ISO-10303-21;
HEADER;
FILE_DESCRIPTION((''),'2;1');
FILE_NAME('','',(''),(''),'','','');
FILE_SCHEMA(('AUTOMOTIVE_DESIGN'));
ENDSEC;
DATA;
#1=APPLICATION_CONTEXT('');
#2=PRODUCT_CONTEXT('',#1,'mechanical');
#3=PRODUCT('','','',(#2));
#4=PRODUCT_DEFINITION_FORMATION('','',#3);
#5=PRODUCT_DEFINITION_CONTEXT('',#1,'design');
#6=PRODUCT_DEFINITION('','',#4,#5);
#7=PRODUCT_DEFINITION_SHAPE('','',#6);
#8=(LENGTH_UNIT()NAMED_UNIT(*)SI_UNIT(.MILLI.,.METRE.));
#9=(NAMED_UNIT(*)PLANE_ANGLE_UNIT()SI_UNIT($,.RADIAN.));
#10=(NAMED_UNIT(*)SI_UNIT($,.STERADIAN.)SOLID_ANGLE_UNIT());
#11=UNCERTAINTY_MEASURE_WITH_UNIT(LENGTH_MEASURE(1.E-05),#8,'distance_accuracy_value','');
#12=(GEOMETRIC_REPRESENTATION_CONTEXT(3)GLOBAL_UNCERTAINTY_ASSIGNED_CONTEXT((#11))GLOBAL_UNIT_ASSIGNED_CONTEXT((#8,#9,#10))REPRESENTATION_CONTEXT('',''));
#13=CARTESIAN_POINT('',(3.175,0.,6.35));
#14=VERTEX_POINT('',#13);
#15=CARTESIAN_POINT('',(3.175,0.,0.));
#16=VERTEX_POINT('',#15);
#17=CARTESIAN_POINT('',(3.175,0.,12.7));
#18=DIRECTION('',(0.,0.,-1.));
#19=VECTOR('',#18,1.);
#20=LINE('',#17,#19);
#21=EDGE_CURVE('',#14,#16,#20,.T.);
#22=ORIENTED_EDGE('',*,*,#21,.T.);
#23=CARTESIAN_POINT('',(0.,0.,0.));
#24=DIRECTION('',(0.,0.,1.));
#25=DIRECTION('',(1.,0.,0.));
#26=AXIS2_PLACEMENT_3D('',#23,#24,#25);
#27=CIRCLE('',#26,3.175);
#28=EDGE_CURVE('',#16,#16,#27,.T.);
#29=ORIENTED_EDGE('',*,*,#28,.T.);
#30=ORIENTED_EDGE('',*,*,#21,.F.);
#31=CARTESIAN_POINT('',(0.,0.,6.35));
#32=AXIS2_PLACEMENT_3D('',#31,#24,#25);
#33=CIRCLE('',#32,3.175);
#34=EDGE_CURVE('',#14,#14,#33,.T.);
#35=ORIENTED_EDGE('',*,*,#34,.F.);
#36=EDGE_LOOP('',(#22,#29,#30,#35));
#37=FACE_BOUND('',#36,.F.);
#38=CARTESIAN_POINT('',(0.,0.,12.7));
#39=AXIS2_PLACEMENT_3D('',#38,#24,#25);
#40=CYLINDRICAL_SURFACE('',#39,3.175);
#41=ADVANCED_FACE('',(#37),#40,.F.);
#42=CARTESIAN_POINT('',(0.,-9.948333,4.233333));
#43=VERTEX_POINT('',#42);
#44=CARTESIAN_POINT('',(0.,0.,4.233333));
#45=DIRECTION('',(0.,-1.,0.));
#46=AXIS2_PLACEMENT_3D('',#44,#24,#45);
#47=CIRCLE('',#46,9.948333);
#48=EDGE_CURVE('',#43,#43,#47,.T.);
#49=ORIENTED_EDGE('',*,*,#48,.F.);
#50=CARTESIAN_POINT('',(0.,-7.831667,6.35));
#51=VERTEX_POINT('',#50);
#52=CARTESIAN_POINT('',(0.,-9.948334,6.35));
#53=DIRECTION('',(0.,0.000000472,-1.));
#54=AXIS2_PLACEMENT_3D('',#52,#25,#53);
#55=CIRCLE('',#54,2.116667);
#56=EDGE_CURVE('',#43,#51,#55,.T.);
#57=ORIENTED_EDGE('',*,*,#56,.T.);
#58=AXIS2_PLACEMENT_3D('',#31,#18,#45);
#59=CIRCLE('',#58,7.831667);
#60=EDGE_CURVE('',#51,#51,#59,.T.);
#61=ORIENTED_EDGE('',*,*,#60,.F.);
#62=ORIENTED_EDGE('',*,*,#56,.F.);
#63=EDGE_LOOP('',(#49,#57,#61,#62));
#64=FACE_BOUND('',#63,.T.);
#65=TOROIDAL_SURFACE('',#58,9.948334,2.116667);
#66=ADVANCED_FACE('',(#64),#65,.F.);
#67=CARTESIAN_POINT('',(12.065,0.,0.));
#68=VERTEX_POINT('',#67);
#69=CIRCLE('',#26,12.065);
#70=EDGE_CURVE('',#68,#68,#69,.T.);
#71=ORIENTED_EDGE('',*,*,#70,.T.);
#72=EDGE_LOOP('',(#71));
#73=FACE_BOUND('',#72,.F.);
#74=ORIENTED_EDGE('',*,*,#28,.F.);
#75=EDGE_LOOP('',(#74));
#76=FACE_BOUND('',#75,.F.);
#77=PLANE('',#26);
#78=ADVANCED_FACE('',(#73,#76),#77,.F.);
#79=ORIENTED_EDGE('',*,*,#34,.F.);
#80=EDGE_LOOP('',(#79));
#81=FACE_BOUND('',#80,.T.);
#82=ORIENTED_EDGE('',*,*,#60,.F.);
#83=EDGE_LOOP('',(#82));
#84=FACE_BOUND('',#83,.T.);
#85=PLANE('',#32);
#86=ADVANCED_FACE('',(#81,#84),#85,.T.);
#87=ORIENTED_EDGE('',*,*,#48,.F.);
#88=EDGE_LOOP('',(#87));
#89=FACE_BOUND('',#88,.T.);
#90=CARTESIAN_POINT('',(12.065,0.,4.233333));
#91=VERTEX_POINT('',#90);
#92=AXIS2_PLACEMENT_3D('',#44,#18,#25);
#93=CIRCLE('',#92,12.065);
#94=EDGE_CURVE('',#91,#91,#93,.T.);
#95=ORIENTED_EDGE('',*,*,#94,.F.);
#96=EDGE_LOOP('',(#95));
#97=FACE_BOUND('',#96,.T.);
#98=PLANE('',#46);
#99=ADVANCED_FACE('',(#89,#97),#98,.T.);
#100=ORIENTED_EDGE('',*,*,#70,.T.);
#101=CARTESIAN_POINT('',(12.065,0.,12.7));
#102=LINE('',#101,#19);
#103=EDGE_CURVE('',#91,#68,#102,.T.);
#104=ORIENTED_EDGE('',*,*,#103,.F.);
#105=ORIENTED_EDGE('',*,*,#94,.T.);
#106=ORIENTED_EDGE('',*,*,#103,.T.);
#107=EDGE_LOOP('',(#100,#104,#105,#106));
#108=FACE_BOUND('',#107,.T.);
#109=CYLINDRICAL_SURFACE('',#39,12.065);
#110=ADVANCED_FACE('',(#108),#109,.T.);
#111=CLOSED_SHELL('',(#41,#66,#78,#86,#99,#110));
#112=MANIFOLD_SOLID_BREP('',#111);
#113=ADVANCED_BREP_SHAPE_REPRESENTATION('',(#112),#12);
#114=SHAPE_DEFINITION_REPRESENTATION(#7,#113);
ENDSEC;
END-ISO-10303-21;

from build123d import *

# Parameters (mm, degrees)
F0_R      = 15.875
F1_DEPTH  = 12.7
F5_R      = 3.175
F6_DEPTH  = 12.701
F7_R      = 20.024716
F7_R_2    = 12.065
F8_DEPTH  = 12.701
F10_R     = 20.449892
F10_R_2   = 1.769063
F11_DEPTH = 6.35


with BuildPart() as f1:
    # F0 (on Top) → F1 (new body)
    with BuildSketch(Plane.XY):
        Circle(F0_R)
    extrude(amount=F1_DEPTH)

    # F2 (on Right) → F4 (revolve, cut)
    with BuildSketch(Plane.YZ):
        with BuildLine():
            Line((-12.065, 8.466667), (-12.065, 4.233333))
            Line((-12.065, 4.233333), (-9.948333, 4.233333))
            ThreePointArc((-9.948333, 4.233333), (-7.831667, 6.35), (-9.948333, 8.466667))
            Line((-9.948333, 8.466667), (-12.065, 8.466667))
        make_face()
    revolve(axis=Axis((0, 0, 11.412669), (0, 0, 1)), mode=Mode.SUBTRACT)

    # F5 (on face) → F6 (cut, through all)
    with BuildSketch(Plane.XY.offset(12.7)):
        Circle(F5_R)
    extrude(amount=-F6_DEPTH, mode=Mode.SUBTRACT)

    # F7 (on face) → F8 (cut, through all)
    with BuildSketch(Plane.XY.offset(12.7)):
        Circle(F7_R)
        Circle(F7_R_2, mode=Mode.SUBTRACT)
    extrude(amount=-F8_DEPTH, mode=Mode.SUBTRACT)

    # F10 (on face) → F11 (cut, through all)
    with BuildSketch(Plane.XY.offset(12.7)):
        Circle(F10_R)
        Circle(F10_R_2, mode=Mode.SUBTRACT)
    extrude(amount=-F11_DEPTH, mode=Mode.SUBTRACT)


solid = f1.part
